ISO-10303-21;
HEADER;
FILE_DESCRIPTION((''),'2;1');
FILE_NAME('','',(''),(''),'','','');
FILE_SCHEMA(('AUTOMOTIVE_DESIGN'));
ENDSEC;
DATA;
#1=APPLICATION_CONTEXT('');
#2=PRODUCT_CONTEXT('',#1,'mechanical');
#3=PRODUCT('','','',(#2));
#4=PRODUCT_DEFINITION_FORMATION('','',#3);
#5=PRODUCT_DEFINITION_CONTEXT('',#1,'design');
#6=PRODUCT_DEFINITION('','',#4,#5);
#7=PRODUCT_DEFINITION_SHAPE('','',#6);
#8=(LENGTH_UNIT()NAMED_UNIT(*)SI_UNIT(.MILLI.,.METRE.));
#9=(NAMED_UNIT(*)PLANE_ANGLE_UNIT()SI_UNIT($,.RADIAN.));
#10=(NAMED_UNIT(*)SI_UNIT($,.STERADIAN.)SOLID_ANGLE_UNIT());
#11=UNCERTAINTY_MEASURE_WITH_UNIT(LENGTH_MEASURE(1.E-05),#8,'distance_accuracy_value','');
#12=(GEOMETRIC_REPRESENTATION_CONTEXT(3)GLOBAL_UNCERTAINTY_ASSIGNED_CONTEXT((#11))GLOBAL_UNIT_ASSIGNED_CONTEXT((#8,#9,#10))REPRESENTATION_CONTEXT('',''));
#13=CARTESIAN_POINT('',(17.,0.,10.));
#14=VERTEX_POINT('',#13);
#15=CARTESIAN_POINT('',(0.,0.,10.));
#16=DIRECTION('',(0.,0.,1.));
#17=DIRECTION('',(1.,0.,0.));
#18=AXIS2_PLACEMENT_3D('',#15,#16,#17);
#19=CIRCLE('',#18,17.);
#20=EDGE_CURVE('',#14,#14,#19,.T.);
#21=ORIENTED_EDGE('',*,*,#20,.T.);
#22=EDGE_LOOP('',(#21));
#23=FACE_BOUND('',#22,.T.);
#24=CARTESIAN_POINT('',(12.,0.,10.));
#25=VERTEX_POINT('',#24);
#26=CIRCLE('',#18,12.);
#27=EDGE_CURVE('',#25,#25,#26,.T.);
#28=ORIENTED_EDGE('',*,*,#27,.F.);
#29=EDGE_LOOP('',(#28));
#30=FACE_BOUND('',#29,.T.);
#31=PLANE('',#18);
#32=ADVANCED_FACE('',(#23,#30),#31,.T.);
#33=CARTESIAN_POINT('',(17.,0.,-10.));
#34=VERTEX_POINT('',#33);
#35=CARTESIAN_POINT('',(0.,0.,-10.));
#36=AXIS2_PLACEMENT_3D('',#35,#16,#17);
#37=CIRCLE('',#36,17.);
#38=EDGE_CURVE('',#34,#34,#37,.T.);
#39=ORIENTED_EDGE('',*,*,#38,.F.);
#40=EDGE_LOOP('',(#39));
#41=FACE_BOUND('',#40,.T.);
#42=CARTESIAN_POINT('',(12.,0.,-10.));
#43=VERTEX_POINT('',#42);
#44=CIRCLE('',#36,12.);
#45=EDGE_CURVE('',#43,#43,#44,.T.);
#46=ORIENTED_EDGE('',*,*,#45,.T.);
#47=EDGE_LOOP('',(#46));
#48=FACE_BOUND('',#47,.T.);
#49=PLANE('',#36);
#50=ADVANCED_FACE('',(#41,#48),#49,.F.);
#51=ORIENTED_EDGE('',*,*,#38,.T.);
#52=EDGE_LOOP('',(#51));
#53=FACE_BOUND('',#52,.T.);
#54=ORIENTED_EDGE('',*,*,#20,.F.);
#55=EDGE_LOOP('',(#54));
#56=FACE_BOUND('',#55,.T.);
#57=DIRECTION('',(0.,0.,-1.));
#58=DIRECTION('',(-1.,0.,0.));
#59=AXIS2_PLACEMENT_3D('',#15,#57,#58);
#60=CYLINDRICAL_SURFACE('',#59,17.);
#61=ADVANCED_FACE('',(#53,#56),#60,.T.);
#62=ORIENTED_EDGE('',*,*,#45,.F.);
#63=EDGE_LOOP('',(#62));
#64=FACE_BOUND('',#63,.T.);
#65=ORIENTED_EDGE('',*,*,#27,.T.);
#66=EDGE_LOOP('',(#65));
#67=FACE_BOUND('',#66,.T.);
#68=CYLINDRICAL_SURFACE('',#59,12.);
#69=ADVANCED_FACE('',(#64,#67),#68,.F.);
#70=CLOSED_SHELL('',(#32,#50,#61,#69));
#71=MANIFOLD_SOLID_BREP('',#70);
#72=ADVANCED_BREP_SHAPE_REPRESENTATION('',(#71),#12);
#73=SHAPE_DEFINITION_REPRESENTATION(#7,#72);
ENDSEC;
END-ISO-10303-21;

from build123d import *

# Parameters (mm, degrees)
SKETCH1_R           = 17
SKETCH1_R_2         = 12
BOSS_EXTRUDE1_DEPTH = 10


with BuildPart() as part:
    # Sketch1 → Boss-Extrude1 (new body, symmetric)
    with BuildSketch(Plane.XY):
        Circle(SKETCH1_R)
        Circle(SKETCH1_R_2, mode=Mode.SUBTRACT)
    extrude(amount=BOSS_EXTRUDE1_DEPTH, both=True)


solid = part.part
